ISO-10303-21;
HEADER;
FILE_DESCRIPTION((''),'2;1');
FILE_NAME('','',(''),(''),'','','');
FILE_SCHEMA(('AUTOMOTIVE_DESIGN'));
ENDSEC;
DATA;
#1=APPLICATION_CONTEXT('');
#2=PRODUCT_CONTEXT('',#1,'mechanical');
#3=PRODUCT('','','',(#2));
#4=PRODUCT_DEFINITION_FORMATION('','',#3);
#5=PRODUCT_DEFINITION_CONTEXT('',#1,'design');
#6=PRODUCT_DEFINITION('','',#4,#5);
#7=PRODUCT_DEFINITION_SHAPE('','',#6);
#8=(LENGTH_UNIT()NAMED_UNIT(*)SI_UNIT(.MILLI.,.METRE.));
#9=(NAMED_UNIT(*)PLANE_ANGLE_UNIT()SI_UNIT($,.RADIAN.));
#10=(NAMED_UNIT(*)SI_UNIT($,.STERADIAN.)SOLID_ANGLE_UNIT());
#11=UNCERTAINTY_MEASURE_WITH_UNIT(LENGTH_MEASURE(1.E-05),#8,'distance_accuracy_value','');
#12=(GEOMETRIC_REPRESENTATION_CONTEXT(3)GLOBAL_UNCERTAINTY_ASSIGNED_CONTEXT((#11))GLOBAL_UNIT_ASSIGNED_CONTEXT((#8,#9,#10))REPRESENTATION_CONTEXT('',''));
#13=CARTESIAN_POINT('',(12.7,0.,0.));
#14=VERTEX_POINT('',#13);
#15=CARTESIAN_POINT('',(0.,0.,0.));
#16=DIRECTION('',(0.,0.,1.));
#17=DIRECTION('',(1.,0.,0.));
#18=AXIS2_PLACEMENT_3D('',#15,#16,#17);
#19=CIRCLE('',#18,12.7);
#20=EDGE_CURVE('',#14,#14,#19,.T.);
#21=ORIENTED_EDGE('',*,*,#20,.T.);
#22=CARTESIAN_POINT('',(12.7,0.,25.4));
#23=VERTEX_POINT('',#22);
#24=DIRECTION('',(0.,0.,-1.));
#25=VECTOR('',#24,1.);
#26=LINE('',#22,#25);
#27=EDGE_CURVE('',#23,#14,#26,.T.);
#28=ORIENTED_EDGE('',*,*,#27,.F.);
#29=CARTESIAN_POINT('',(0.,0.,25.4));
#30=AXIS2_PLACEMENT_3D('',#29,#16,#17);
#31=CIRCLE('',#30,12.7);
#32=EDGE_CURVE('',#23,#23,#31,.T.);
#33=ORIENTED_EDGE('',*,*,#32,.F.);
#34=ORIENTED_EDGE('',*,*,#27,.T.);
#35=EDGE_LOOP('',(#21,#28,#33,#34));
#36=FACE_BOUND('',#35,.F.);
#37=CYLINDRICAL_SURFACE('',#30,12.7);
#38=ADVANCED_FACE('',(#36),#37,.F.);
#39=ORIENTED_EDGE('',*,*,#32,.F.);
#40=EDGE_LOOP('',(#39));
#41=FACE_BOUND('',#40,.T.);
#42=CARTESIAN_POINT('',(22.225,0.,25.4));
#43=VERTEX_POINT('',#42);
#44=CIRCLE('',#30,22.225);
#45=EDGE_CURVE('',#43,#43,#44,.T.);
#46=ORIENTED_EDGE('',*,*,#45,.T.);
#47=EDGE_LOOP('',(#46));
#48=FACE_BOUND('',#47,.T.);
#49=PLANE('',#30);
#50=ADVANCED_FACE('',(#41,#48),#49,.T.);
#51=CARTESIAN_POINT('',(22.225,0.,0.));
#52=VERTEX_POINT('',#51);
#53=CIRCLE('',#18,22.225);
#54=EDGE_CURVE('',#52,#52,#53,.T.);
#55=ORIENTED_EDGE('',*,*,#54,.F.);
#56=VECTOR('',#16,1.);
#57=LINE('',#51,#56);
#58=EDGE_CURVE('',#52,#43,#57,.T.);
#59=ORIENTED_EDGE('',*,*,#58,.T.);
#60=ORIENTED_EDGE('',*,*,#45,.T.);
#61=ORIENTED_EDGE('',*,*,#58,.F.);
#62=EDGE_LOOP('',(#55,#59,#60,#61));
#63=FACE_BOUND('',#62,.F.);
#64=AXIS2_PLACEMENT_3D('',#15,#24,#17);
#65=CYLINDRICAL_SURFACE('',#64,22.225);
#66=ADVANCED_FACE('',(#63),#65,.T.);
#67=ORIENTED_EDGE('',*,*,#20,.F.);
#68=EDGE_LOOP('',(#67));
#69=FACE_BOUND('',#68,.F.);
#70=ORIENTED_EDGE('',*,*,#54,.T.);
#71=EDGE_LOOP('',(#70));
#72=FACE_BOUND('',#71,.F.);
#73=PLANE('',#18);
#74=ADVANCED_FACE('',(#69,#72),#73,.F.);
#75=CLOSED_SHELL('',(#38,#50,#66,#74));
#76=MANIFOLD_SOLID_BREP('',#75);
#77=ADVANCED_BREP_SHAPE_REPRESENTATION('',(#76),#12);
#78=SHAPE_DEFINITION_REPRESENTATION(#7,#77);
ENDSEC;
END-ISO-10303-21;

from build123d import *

# Parameters (mm, degrees)
F0_R     = 22.225
F1_DEPTH = 25.4
F2_R     = 12.7
F3_DEPTH = 25.4


with BuildPart() as f1:
    # F0 (on Top) → F1 (new body)
    with BuildSketch(Plane.XY):
        Circle(F0_R)
    extrude(amount=F1_DEPTH)

    # F2 (on face) → F3 (cut)
    with BuildSketch(Plane.XY.offset(25.4)):
        Circle(F2_R)
    extrude(amount=-F3_DEPTH, mode=Mode.SUBTRACT)


solid = f1.part
